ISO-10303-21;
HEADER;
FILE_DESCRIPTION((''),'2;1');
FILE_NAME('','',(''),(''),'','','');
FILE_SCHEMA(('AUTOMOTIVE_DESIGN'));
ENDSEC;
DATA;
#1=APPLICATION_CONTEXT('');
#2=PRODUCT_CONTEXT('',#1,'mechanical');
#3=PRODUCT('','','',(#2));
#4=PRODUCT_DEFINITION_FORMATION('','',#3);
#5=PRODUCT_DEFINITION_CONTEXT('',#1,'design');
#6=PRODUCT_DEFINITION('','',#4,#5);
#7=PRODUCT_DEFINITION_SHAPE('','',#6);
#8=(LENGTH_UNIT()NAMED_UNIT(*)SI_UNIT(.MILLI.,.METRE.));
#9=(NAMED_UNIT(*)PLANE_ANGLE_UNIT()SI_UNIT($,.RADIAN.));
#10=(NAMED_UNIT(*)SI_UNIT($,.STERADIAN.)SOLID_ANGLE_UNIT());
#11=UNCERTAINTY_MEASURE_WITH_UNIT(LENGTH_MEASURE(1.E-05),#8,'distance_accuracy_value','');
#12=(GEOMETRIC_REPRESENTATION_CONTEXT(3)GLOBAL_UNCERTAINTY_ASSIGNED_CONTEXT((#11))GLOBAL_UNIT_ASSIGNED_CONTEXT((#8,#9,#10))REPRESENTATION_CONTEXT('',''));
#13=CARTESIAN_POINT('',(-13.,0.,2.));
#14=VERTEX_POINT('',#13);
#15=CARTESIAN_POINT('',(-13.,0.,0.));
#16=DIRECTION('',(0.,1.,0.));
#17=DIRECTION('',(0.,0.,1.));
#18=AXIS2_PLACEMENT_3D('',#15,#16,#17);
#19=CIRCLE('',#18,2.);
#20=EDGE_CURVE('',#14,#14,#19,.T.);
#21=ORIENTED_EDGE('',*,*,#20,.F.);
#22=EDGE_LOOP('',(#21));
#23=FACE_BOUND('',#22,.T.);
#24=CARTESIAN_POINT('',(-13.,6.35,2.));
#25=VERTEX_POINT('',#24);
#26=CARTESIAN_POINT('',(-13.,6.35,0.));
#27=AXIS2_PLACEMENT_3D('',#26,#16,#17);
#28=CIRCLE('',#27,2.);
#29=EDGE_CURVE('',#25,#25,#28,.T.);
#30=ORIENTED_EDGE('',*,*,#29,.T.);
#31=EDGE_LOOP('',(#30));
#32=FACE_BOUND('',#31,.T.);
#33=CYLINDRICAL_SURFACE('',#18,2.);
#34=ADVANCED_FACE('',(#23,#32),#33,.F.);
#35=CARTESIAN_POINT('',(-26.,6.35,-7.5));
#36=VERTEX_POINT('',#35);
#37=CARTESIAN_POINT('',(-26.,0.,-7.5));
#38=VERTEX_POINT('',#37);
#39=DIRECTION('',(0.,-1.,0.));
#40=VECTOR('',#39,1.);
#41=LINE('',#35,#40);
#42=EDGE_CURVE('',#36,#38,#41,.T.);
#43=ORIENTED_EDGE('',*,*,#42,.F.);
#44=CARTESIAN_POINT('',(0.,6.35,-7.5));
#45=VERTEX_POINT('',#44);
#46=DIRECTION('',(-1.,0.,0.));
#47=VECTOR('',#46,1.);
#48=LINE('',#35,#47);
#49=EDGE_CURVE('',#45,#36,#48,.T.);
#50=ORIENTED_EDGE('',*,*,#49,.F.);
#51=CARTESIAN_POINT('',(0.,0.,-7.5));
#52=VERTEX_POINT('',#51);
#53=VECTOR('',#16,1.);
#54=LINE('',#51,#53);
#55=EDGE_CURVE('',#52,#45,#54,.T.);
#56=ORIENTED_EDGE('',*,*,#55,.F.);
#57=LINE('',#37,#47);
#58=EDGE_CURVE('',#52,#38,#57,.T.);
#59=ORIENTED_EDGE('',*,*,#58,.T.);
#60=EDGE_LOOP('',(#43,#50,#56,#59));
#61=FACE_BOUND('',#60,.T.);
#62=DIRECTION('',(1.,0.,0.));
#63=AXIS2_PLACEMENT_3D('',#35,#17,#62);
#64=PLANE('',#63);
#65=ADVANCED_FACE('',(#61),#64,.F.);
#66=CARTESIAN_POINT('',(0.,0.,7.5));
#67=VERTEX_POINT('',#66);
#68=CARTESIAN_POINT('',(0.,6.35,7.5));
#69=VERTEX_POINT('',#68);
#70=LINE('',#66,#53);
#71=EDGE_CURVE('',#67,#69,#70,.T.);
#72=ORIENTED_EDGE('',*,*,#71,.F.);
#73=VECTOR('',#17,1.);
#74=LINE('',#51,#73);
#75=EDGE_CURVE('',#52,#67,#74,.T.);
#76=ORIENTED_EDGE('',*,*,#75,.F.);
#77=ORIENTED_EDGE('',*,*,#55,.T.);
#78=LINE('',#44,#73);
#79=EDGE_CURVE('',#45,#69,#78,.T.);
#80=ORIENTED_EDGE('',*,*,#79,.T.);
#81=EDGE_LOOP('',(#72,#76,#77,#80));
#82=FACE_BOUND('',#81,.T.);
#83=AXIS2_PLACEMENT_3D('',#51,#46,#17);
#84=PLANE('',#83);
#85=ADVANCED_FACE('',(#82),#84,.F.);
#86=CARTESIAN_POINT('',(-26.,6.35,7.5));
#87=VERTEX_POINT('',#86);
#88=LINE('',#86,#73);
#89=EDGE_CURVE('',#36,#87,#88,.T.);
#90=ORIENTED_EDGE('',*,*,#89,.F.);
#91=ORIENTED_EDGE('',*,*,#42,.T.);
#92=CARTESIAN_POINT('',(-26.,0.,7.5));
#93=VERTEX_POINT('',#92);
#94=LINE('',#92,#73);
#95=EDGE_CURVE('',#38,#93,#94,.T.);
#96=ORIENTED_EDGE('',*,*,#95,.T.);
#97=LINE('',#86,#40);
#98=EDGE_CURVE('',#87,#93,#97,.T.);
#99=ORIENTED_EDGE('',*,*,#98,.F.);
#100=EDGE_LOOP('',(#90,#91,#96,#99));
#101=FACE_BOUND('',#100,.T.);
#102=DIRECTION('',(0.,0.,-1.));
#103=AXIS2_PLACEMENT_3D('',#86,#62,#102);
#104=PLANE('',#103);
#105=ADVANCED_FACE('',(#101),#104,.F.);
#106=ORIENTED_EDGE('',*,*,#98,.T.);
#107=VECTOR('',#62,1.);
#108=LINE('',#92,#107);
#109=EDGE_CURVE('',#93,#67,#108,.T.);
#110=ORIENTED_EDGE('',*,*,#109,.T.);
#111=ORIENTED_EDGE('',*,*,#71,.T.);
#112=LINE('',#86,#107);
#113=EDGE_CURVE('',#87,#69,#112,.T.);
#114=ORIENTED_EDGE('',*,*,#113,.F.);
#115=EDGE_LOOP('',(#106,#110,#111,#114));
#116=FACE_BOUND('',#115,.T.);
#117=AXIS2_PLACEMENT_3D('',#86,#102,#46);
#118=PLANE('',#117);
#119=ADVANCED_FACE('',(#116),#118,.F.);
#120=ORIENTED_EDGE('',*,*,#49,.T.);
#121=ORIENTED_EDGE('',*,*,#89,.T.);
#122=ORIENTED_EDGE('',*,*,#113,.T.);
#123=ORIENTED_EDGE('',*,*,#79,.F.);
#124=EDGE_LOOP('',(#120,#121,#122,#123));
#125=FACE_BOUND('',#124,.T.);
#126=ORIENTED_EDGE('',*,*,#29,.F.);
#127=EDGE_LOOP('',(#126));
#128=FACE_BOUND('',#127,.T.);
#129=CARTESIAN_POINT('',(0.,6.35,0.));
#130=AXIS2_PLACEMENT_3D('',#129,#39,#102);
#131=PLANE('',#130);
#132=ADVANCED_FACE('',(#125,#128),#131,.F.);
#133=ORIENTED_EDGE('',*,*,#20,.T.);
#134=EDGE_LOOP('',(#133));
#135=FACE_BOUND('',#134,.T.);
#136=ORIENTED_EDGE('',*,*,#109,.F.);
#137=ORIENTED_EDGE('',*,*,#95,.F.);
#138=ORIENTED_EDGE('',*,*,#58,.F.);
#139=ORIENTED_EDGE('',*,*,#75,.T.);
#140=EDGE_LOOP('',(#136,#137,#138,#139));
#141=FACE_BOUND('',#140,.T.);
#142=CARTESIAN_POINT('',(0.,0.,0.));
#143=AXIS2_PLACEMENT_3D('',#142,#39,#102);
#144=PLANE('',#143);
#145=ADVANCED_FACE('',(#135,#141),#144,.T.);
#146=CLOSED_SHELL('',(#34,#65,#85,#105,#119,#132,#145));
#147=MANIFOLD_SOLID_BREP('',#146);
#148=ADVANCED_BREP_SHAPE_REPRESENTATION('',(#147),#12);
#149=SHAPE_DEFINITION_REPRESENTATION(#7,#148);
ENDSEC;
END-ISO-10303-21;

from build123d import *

# Parameters (mm, degrees)
SKETCH1_W           = 52
SKETCH1_H           = 15
BOSS_EXTRUDE1_DEPTH = 6.35
SKETCH3_R           = 2
CUT_EXTRUDE2_DEPTH  = 28.795188433
SKETCH2_W           = 26
SKETCH2_H           = 15
CUT_EXTRUDE1_DEPTH  = 28.795188433


with BuildPart() as part:
    # Sketch1 → Boss-Extrude1 (new body)
    with BuildSketch(Plane(origin=(0, 0, 0), x_dir=(1, 0, 0), z_dir=(0, 1, 0))):
        Rectangle(SKETCH1_W, SKETCH1_H)
    extrude(amount=BOSS_EXTRUDE1_DEPTH)

    # Sketch3 → Cut-Extrude2 (cut, through all)
    with BuildSketch(Plane(origin=(0, 6.35, 0), x_dir=(1, 0, 0), z_dir=(0, 1, 0))):
        with Locations(Location((-13, 0, 0), (0, 0, 270))):
            Circle(SKETCH3_R)
        with Locations(Location((13, 0, 0), (0, 0, 270))):
            Circle(SKETCH3_R)
    extrude(amount=-CUT_EXTRUDE2_DEPTH, mode=Mode.SUBTRACT)

    # Sketch2 → Cut-Extrude1 (cut, through all)
    with BuildSketch(Plane(origin=(0, 6.35, 0), x_dir=(1, 0, 0), z_dir=(0, 1, 0))):
        with Locations((13, 0)):
            Rectangle(SKETCH2_W, SKETCH2_H)
    extrude(amount=-CUT_EXTRUDE1_DEPTH, mode=Mode.SUBTRACT)


solid = part.part
